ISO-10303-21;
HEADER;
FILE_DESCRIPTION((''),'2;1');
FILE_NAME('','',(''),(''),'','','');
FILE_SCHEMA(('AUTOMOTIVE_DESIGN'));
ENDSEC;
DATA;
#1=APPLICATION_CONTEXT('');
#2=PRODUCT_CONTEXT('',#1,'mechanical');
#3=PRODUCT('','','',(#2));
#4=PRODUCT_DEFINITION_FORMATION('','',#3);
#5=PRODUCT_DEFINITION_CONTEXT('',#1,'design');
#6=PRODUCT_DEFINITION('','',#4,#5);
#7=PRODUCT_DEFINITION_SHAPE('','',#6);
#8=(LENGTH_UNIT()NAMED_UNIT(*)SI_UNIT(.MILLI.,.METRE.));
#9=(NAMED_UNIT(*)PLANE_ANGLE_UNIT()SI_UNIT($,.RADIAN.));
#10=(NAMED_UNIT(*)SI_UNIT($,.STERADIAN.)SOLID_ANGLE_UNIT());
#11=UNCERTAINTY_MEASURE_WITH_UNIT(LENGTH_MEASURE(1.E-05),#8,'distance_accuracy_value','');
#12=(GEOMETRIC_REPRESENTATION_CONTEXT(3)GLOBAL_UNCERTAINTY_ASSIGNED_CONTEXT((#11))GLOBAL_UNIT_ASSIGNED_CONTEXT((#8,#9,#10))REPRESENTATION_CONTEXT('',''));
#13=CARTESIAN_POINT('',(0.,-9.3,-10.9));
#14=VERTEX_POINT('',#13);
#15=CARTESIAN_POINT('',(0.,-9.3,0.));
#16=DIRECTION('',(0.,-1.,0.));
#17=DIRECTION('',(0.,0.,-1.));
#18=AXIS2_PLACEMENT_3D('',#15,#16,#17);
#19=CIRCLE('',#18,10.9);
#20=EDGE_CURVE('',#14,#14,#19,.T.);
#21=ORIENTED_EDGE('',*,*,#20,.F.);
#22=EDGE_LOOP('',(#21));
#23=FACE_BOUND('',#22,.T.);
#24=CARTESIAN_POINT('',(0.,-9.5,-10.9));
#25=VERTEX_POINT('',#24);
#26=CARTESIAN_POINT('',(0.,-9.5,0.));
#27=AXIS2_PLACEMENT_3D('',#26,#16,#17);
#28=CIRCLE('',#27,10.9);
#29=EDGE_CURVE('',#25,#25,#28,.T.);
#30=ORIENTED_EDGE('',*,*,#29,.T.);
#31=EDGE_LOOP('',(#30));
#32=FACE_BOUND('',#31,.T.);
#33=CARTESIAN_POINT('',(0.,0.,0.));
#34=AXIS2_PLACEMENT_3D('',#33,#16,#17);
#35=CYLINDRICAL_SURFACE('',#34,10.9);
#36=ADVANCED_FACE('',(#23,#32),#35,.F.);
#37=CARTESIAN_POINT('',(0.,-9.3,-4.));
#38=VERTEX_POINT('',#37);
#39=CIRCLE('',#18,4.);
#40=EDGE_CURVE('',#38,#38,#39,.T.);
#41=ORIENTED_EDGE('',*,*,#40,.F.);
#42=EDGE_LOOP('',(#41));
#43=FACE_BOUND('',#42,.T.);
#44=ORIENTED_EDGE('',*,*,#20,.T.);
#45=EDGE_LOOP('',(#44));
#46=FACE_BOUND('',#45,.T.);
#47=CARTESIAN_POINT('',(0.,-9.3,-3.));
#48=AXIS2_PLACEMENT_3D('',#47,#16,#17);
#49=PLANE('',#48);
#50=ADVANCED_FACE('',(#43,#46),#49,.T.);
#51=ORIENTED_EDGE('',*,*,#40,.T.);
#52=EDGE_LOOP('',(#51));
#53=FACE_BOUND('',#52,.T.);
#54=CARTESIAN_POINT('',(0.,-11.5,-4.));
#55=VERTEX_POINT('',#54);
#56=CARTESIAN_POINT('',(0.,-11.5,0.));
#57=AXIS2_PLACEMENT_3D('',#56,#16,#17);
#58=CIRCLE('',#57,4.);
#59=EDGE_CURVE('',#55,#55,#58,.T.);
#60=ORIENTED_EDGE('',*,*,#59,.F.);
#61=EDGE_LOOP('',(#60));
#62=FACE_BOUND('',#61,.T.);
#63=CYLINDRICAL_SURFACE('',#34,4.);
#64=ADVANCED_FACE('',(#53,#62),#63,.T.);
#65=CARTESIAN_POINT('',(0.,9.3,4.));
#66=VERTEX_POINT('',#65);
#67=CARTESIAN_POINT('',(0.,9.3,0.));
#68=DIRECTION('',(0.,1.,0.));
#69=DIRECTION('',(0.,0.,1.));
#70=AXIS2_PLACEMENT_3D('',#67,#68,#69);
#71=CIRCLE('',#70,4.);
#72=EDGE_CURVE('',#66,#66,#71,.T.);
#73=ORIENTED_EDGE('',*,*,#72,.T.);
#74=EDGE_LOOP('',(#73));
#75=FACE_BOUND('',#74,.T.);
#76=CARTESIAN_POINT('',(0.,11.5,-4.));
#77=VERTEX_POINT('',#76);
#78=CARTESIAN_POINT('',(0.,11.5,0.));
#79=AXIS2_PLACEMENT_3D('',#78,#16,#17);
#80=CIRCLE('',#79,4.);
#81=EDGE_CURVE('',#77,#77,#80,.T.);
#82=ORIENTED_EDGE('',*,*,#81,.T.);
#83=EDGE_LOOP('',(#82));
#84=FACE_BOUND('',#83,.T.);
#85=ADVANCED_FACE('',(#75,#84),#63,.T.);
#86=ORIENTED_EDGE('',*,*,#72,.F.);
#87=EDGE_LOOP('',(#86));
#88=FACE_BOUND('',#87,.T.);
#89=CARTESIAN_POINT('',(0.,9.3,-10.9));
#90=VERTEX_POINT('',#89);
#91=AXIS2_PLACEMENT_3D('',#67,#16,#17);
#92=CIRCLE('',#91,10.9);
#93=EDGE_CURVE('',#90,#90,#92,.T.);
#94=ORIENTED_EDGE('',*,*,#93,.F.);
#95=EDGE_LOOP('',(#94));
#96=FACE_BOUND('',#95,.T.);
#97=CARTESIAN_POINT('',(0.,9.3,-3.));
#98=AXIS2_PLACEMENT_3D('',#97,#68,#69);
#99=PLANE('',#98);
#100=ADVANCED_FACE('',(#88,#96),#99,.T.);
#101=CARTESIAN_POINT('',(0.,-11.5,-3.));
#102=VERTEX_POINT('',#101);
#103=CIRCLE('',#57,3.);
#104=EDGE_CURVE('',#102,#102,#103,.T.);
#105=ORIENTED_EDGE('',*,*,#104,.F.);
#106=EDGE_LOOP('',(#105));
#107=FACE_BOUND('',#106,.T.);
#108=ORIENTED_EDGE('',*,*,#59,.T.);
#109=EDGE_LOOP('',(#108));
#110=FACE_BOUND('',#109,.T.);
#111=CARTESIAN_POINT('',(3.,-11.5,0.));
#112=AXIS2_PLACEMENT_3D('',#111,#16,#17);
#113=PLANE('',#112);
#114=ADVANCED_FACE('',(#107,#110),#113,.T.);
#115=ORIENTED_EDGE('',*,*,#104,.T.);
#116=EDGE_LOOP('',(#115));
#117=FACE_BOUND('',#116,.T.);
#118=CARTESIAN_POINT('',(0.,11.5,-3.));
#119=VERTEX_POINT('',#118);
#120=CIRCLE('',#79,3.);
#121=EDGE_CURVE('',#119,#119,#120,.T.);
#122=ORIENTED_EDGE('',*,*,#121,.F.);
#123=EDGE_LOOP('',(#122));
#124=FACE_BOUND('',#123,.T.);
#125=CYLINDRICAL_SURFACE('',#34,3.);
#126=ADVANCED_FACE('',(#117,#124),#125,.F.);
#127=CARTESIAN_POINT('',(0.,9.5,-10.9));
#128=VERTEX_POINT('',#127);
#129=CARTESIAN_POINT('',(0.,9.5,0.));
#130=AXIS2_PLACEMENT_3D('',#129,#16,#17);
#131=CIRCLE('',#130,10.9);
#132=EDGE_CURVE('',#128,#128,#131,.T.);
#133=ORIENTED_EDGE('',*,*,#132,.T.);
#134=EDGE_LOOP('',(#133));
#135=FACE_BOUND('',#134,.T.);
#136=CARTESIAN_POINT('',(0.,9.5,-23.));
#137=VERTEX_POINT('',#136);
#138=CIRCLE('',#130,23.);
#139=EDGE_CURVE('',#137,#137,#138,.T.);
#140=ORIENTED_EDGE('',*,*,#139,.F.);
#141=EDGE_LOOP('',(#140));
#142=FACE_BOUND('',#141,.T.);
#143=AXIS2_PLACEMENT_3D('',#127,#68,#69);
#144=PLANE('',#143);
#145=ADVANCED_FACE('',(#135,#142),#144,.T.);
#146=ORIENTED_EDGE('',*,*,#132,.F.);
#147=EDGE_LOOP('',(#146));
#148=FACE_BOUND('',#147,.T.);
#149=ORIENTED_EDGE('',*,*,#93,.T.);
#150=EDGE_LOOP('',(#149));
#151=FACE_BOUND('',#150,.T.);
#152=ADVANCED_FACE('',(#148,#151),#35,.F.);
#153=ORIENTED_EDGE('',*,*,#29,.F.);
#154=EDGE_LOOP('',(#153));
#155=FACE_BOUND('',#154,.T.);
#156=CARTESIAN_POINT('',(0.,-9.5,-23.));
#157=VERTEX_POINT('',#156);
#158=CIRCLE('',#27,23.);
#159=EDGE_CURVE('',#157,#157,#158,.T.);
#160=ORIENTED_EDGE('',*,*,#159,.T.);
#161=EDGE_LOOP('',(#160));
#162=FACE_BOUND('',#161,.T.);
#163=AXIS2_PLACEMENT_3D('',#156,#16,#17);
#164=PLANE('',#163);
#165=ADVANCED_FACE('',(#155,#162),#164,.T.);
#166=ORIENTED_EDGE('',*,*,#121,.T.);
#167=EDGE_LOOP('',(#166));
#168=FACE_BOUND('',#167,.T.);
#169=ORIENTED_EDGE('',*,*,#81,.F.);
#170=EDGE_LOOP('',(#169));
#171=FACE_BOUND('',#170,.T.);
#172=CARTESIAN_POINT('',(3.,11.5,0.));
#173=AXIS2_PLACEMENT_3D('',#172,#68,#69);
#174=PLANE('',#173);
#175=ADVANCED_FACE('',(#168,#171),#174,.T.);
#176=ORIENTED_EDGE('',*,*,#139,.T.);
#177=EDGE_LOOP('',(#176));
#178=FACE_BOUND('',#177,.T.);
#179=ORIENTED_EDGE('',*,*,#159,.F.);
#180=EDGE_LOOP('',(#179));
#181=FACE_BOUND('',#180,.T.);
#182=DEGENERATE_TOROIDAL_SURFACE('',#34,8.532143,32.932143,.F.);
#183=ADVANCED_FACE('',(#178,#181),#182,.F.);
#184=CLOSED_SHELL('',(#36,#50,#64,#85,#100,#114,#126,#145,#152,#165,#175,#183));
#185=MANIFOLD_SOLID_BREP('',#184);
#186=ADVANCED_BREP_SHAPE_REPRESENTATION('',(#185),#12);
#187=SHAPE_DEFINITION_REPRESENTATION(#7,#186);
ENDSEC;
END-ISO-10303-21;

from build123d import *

# Parameters (mm, degrees)
SKETCH2_W = 1
SKETCH2_H = 2.2


with BuildPart() as part:
    # Sketch1 → Revolve1 (revolve)
    with BuildSketch(Plane(origin=(0, 0, 0), x_dir=(0, 0, -1), z_dir=(1, 0, 0))):
        with BuildLine():
            Line((3, -9.3), (3, 9.3))
            Line((3, 9.3), (10.9, 9.3))
            Line((10.9, 9.3), (10.9, 9.5))
            Line((10.9, 9.5), (23, 9.5))
            ThreePointArc((23, 9.5), (24.4, 0), (23, -9.5))
            Line((23, -9.5), (10.9, -9.5))
            Line((10.9, -9.5), (10.9, -9.3))
            Line((10.9, -9.3), (3, -9.3))
        make_face()
    revolve(axis=Axis((0, 0, 0), (0, 1, 0)))

    # Sketch2 → Revolve2 (revolve)
    with BuildSketch(Plane.XY, mode=Mode.PRIVATE) as revolve2_sk:
        with Locations((3.5, 10.4)):
            Rectangle(SKETCH2_W, SKETCH2_H)
        with Locations((3.5, -10.4)):
            Rectangle(SKETCH2_W, SKETCH2_H)
    revolve(revolve2_sk.sketch.rotate(Axis((0, 0, 0), (0, 1, 0)), 90), axis=Axis((0, 0, 0), (0, 1, 0)))


solid = part.part
